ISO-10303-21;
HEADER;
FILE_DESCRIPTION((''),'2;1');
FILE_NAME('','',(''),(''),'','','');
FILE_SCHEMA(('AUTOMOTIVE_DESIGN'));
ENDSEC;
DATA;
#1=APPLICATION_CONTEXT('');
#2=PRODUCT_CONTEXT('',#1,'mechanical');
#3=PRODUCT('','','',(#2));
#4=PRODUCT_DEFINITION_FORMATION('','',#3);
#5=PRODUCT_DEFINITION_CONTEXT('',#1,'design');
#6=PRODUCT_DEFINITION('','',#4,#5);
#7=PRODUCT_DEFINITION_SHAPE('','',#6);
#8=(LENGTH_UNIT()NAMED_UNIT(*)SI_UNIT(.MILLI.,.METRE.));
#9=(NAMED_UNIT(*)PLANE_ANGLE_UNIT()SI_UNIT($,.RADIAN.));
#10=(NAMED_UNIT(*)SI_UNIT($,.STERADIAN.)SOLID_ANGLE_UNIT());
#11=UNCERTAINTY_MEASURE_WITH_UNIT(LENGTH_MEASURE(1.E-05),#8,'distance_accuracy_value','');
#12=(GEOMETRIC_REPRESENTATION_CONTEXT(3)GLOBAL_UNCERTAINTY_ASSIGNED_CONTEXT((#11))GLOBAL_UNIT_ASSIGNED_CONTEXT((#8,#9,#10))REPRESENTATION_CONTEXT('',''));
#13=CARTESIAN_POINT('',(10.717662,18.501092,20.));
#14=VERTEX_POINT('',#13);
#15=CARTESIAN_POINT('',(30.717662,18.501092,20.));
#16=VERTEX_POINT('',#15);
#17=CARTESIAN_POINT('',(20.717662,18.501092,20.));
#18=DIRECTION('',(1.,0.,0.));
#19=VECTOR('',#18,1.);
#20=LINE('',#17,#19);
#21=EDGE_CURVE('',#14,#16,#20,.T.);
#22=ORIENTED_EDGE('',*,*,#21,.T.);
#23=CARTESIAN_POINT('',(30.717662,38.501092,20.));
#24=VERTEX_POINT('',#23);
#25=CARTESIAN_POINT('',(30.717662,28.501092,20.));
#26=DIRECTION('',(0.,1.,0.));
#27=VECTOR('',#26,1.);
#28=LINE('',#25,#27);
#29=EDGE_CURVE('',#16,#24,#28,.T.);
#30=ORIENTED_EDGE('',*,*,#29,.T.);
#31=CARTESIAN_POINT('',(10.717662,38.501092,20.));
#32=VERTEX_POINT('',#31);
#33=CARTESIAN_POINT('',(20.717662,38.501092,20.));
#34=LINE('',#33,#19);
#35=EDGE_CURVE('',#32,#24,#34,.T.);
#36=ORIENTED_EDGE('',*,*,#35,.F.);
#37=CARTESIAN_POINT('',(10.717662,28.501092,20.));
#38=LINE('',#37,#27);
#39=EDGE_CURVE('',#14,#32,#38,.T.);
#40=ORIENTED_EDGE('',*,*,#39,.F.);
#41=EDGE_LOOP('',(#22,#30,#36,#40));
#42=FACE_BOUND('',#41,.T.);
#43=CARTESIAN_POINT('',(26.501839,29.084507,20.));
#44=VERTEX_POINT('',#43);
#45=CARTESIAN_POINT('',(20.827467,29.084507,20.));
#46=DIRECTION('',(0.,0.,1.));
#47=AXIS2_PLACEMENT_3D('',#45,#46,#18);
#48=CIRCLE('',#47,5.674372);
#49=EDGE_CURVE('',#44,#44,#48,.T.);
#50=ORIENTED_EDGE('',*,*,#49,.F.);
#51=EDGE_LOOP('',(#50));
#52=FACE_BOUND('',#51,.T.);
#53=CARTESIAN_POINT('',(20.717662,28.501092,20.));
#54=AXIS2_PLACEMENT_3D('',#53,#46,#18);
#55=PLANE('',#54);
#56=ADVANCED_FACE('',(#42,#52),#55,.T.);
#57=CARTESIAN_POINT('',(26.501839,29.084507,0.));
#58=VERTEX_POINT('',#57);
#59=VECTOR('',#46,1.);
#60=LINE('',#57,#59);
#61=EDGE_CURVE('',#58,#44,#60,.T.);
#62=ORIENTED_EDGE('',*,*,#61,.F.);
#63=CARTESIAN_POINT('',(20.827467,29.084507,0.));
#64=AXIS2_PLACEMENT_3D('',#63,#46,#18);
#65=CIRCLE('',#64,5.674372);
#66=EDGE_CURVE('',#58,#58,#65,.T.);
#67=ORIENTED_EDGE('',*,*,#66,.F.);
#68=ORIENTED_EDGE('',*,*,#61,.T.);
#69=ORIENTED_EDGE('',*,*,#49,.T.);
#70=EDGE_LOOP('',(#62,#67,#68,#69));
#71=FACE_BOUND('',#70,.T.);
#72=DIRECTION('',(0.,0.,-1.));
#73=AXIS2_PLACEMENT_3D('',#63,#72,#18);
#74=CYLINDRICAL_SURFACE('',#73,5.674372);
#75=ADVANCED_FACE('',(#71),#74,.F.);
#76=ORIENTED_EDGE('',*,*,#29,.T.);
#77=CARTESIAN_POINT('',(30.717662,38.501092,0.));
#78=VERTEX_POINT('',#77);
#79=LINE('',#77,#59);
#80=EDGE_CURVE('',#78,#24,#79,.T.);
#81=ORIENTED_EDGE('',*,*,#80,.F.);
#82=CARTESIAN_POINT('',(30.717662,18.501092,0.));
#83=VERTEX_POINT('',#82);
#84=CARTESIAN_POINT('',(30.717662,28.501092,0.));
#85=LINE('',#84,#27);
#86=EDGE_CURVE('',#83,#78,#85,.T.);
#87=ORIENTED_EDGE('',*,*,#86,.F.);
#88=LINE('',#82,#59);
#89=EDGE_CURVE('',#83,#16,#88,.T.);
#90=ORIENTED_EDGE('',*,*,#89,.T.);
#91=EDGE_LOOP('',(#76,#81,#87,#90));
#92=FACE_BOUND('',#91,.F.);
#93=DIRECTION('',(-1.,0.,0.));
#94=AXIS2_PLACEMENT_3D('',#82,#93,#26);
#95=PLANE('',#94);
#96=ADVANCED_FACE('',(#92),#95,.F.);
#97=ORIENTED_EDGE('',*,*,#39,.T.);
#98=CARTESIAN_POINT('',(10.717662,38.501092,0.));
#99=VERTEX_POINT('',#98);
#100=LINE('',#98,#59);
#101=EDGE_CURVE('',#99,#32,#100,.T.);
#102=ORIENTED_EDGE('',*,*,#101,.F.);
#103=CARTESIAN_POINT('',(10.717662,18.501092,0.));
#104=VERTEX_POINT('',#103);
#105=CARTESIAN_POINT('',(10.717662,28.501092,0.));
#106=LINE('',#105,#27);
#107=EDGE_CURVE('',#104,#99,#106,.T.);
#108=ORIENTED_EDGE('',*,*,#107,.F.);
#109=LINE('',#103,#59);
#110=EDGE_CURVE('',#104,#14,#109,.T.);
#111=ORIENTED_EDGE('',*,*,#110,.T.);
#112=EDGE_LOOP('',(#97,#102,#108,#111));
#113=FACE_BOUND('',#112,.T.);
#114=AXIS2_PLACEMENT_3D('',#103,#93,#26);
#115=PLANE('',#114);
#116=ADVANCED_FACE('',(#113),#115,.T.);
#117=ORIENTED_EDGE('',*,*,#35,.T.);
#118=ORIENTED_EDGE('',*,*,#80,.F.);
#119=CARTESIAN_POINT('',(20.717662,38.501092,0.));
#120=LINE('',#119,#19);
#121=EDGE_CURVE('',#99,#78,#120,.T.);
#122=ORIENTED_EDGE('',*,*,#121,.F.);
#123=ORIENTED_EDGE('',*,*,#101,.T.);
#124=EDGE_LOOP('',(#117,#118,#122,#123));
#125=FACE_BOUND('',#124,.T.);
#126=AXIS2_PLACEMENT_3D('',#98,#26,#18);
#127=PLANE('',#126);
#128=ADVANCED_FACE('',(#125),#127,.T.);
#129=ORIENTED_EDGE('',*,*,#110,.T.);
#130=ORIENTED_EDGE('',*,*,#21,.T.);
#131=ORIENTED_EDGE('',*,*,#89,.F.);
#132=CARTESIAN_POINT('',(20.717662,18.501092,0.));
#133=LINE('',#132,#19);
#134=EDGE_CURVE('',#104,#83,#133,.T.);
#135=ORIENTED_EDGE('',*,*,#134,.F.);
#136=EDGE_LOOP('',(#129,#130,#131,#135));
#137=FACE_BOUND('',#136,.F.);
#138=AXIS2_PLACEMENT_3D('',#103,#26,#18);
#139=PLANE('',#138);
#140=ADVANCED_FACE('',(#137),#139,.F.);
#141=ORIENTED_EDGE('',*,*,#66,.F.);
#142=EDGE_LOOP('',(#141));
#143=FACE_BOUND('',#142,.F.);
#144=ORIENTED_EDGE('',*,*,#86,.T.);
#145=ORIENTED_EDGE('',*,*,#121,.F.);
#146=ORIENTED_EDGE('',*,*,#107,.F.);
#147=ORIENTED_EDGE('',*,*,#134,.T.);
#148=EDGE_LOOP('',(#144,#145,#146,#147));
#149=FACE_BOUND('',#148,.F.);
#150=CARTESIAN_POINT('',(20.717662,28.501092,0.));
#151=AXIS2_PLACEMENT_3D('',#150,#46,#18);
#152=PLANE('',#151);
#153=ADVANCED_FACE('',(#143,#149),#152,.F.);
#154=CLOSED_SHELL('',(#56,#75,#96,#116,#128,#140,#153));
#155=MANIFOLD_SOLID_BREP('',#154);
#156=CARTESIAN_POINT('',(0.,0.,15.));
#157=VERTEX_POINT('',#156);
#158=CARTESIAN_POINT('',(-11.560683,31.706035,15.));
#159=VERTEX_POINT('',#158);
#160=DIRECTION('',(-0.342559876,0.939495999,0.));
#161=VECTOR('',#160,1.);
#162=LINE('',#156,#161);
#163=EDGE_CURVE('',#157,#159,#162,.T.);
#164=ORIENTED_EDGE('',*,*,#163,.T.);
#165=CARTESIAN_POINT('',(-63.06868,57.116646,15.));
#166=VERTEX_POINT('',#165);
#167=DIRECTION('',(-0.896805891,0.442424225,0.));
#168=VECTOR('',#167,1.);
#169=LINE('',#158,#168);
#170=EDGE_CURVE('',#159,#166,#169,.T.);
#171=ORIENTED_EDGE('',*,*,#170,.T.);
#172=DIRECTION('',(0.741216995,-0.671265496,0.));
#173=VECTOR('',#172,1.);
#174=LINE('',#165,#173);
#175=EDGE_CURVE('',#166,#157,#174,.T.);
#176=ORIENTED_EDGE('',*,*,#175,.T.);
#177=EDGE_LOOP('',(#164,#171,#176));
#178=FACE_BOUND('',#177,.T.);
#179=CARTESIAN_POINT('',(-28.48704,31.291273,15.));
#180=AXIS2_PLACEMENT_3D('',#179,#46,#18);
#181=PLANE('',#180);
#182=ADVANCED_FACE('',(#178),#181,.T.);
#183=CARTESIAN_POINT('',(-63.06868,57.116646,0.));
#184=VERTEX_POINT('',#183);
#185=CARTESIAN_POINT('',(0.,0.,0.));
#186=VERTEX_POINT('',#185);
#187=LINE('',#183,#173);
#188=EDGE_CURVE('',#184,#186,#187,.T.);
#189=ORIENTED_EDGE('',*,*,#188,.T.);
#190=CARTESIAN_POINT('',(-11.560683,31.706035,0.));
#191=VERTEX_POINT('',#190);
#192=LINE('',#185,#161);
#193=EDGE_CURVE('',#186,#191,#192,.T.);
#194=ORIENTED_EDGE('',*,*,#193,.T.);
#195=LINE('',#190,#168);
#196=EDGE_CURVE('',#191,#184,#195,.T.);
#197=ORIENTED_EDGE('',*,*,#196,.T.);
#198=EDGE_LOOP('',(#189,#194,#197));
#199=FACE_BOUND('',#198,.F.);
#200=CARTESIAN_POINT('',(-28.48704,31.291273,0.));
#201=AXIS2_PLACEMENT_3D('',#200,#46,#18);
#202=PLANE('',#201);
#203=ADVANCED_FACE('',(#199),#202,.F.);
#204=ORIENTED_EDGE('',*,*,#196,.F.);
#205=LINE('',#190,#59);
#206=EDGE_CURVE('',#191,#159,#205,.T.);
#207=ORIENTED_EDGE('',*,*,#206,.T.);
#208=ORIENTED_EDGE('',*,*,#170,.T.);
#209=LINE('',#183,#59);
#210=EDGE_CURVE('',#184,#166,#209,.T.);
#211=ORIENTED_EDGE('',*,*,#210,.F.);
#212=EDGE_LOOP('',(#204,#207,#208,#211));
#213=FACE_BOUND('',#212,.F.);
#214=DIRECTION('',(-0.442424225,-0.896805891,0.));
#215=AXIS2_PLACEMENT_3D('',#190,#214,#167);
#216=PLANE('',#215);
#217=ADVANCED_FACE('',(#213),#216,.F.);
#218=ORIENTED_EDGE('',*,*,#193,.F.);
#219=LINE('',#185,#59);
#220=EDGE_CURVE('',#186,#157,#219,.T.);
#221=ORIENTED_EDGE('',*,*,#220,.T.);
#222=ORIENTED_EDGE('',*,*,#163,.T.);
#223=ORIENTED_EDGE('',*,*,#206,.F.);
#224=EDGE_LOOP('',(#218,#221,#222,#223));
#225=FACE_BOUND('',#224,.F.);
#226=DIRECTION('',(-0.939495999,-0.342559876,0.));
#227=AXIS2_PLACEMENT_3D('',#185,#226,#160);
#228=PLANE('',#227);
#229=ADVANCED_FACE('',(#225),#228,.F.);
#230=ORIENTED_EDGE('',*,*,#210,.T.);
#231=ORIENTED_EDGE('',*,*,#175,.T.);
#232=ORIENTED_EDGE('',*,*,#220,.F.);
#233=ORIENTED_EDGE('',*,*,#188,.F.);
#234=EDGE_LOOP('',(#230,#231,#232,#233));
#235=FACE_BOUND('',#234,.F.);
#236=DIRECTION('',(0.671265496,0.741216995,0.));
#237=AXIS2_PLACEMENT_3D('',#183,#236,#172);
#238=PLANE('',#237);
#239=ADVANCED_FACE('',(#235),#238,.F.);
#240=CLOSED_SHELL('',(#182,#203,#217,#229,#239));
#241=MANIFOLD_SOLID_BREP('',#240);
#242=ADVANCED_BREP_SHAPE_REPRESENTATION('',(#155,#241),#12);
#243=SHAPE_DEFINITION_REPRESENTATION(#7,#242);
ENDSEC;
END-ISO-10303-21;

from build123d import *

# Parameters (mm, degrees)
F1_DEPTH = 15
F2_W     = 20
F2_H     = 20
F3_DEPTH = 20
F4_DEPTH = 20
F5_R     = 5.674372
F6_DEPTH = 20


with BuildPart() as f1:
    # F0 (on Top) → F1 (new body)
    with BuildSketch(Plane.XY):
        Polygon((-63.06868, 57.116646), (0, 0), (-11.560683, 31.706035), align=None)
    extrude(amount=F1_DEPTH)


with BuildPart() as f3:
    # F2 (on Top) → F3 (new body)
    with BuildSketch(Plane.XY):
        with Locations((20.717662, 28.501092)):
            Rectangle(F2_W, F2_H)
    extrude(amount=F3_DEPTH)

    # F2 (on Top) → F4 (join)
    with BuildSketch(Plane.XY):
        with Locations((20.717662, 28.501092)):
            Rectangle(F2_W, F2_H)
    extrude(amount=F4_DEPTH)

    # F5 (on Top) → F6 (cut)
    with BuildSketch(Plane.XY):
        with Locations((20.827467, 29.084507)):
            Circle(F5_R)
    extrude(amount=F6_DEPTH, mode=Mode.SUBTRACT)


solid = Compound([f1.part, f3.part])
